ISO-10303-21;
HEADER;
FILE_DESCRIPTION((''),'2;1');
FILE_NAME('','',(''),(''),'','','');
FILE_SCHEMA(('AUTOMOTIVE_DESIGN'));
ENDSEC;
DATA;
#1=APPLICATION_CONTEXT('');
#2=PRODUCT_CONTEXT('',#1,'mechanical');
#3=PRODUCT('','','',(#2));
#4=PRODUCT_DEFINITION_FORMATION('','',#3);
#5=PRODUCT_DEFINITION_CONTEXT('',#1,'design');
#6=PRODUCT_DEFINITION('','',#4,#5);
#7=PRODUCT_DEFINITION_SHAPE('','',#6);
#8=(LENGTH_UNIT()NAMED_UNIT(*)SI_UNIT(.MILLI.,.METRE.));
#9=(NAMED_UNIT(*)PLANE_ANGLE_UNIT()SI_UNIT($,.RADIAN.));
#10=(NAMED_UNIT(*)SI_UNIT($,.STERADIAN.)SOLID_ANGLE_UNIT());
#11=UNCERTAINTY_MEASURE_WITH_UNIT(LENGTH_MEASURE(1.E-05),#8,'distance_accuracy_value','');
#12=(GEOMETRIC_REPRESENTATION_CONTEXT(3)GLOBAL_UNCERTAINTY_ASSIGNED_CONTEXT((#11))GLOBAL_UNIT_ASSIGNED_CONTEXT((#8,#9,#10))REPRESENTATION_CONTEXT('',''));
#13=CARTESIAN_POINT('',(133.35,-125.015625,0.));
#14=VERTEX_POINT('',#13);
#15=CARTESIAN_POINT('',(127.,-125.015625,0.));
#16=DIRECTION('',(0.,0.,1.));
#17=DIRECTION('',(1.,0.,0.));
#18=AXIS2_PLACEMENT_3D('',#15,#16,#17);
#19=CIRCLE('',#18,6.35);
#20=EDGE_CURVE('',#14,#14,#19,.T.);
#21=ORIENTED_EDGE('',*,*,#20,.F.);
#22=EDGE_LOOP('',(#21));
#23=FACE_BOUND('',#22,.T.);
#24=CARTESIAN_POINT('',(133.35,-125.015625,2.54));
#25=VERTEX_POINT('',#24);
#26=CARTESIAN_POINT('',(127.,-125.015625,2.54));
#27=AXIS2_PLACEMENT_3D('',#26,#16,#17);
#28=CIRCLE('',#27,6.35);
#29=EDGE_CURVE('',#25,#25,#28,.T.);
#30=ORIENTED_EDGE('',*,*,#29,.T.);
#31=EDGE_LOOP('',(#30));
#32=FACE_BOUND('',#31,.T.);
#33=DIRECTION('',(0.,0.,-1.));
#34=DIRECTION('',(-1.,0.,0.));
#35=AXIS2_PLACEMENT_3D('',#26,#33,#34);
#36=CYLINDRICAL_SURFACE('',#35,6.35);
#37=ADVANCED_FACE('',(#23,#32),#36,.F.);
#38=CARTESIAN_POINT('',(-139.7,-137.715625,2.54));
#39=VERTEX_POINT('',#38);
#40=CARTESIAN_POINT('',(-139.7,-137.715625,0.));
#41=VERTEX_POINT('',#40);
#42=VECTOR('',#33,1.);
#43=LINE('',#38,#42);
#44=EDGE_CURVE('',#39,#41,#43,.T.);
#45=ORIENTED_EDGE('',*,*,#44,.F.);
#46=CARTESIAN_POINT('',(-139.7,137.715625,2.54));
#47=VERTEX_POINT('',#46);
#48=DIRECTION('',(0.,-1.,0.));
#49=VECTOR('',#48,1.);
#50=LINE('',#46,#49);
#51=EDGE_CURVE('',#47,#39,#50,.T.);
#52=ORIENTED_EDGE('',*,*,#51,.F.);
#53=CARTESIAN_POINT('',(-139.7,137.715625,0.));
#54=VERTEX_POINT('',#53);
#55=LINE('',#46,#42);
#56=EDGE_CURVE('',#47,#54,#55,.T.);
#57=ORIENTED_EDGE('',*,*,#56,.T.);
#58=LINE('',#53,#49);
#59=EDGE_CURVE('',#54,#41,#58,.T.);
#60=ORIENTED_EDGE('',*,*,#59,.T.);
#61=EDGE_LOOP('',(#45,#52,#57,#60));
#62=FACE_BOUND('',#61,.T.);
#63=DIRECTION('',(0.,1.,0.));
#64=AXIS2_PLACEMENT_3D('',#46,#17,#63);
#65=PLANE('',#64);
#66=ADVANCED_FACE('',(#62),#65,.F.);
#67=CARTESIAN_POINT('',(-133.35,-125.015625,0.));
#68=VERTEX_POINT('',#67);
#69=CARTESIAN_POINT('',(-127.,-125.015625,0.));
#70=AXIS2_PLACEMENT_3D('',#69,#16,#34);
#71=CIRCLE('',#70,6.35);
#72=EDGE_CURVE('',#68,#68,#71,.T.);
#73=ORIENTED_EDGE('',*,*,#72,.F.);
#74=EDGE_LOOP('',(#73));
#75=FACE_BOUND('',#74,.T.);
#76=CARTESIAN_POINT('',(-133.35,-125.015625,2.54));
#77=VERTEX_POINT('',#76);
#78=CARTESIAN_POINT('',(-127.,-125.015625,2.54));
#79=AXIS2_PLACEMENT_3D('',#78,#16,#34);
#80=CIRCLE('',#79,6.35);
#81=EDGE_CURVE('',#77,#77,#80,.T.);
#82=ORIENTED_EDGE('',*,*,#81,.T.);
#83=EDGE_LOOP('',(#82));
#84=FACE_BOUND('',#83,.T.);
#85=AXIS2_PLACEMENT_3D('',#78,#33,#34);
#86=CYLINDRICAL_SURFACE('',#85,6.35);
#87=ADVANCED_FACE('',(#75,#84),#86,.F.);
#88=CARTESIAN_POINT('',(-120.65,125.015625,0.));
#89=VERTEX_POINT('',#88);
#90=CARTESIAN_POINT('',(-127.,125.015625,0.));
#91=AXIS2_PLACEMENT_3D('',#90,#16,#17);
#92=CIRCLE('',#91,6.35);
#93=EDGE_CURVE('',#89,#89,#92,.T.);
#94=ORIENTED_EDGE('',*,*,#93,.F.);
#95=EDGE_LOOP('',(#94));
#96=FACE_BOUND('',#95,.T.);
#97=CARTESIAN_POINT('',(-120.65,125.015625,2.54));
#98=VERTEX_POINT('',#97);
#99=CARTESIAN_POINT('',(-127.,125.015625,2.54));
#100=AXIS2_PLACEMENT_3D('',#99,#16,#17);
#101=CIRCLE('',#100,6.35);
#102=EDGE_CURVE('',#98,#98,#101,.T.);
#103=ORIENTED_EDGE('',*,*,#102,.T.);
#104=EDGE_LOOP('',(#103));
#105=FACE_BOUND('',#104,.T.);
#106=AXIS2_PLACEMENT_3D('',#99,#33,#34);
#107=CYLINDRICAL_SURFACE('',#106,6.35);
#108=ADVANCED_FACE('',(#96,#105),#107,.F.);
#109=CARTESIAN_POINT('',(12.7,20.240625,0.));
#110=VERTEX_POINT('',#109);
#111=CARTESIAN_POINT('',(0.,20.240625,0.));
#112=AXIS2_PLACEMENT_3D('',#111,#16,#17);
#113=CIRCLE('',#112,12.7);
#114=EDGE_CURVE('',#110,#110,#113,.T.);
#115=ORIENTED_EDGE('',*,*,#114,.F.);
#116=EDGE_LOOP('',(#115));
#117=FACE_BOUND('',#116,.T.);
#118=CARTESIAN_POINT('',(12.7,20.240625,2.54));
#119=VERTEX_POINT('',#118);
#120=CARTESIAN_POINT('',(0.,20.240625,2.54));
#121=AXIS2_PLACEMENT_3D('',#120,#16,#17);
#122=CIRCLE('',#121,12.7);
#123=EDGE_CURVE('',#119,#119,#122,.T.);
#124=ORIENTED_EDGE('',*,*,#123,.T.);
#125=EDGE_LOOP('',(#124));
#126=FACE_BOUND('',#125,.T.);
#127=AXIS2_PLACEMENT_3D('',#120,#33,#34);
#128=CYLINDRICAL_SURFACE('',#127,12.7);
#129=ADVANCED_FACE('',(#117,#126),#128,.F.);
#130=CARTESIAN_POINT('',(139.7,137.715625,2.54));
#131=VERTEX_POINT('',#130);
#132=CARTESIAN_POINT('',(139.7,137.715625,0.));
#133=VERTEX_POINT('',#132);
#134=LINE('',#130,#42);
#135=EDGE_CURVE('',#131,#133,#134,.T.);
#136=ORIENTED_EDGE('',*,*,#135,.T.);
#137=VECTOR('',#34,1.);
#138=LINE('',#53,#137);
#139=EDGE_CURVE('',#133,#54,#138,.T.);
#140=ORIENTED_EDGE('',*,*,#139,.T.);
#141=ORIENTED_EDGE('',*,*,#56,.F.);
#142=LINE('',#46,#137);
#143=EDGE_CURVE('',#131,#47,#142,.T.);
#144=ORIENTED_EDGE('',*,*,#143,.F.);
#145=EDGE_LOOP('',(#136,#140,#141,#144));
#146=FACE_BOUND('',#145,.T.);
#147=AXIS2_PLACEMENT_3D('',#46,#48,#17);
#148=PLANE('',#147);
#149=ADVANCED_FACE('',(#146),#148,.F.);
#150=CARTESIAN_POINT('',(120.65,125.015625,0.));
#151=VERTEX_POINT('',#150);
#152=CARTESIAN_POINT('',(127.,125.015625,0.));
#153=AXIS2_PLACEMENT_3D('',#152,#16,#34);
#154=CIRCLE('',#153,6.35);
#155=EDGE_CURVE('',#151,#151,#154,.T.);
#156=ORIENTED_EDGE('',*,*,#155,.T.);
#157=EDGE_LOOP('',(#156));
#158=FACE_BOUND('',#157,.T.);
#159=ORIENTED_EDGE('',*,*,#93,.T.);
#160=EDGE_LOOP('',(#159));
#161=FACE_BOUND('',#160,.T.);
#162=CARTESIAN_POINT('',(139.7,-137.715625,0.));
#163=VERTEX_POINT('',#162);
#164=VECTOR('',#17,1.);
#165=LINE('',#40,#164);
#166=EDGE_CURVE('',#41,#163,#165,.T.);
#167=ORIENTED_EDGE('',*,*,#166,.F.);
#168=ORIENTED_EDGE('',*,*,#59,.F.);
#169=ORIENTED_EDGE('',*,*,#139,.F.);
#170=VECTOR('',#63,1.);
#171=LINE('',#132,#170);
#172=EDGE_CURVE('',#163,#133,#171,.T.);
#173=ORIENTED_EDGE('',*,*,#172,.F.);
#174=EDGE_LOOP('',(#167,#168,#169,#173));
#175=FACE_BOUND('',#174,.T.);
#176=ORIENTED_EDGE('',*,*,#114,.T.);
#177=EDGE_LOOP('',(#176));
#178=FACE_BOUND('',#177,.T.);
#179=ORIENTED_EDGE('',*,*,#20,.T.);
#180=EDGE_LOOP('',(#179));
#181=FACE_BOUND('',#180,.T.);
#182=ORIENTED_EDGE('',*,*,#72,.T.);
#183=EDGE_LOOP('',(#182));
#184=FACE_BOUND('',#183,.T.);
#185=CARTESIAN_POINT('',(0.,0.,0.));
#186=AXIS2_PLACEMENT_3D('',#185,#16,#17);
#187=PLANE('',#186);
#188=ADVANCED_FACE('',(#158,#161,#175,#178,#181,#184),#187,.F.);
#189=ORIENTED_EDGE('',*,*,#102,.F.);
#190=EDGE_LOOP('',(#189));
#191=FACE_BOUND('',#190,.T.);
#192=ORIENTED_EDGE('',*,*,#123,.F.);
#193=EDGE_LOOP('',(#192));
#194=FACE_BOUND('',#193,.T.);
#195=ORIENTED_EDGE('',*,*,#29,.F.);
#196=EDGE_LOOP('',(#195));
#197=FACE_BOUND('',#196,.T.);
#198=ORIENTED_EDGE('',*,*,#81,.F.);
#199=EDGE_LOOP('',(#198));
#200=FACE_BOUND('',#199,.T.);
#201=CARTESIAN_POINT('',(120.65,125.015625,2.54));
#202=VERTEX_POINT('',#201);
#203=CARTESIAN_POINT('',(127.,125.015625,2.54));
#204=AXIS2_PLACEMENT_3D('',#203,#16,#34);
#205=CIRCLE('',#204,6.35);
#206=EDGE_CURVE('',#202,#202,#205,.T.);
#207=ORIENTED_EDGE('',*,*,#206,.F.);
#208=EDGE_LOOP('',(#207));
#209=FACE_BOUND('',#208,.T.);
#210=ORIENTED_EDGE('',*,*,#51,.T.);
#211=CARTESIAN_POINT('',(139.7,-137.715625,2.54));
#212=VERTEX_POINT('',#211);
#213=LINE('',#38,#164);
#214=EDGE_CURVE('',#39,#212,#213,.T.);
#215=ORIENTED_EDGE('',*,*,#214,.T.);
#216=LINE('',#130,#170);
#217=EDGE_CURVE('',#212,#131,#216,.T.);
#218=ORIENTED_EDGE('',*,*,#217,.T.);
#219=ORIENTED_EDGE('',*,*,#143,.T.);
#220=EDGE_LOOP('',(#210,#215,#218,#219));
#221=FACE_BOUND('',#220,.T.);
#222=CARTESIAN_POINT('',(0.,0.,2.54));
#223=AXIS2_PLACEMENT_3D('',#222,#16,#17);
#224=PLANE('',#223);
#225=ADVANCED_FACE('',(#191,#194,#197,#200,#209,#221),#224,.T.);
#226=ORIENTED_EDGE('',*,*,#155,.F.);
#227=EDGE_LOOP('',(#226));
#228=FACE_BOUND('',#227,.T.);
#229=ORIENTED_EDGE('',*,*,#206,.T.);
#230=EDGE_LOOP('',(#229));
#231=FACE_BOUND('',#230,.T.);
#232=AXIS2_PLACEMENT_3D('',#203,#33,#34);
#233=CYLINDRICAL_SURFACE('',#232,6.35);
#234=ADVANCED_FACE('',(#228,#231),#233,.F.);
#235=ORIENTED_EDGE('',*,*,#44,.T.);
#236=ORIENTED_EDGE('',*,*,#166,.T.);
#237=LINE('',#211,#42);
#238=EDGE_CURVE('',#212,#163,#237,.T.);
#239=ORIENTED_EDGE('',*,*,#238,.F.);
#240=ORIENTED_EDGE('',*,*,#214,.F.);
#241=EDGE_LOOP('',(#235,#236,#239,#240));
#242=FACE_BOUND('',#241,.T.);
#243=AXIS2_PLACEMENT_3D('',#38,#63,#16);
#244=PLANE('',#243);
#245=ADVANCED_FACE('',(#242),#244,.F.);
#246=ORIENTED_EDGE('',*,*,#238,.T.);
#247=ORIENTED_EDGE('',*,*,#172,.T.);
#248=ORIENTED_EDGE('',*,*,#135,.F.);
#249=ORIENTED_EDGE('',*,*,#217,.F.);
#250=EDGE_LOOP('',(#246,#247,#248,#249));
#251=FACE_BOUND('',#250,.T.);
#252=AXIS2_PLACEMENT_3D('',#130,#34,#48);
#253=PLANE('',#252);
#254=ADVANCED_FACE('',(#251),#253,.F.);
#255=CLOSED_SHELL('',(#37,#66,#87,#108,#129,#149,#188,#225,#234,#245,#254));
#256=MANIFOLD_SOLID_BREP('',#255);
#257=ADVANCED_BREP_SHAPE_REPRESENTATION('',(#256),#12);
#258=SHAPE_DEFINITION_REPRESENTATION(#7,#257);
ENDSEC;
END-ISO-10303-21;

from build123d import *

# Parameters (mm, degrees)
SKETCH1_W           = 279.4
SKETCH1_H           = 275.43125
SKETCH1_R           = 6.35
SKETCH1_R_2         = 12.7
BOSS_EXTRUDE1_DEPTH = 2.54


with BuildPart() as part:
    # Sketch1 → Boss-Extrude1 (new body)
    with BuildSketch(Plane.XY):
        Rectangle(SKETCH1_W, SKETCH1_H)
        with Locations((-127, 125.015625)):
            Circle(SKETCH1_R, mode=Mode.SUBTRACT)
        with Locations(Location((-127, -125.015625, 0), (0, 0, 180))):
            Circle(SKETCH1_R, mode=Mode.SUBTRACT)
        with Locations((127, -125.015625)):
            Circle(SKETCH1_R, mode=Mode.SUBTRACT)
        with Locations(Location((127, 125.015625, 0), (0, 0, 180))):
            Circle(SKETCH1_R, mode=Mode.SUBTRACT)
        with Locations((0, 20.240625)):
            Circle(SKETCH1_R_2, mode=Mode.SUBTRACT)
    extrude(amount=BOSS_EXTRUDE1_DEPTH)


solid = part.part
